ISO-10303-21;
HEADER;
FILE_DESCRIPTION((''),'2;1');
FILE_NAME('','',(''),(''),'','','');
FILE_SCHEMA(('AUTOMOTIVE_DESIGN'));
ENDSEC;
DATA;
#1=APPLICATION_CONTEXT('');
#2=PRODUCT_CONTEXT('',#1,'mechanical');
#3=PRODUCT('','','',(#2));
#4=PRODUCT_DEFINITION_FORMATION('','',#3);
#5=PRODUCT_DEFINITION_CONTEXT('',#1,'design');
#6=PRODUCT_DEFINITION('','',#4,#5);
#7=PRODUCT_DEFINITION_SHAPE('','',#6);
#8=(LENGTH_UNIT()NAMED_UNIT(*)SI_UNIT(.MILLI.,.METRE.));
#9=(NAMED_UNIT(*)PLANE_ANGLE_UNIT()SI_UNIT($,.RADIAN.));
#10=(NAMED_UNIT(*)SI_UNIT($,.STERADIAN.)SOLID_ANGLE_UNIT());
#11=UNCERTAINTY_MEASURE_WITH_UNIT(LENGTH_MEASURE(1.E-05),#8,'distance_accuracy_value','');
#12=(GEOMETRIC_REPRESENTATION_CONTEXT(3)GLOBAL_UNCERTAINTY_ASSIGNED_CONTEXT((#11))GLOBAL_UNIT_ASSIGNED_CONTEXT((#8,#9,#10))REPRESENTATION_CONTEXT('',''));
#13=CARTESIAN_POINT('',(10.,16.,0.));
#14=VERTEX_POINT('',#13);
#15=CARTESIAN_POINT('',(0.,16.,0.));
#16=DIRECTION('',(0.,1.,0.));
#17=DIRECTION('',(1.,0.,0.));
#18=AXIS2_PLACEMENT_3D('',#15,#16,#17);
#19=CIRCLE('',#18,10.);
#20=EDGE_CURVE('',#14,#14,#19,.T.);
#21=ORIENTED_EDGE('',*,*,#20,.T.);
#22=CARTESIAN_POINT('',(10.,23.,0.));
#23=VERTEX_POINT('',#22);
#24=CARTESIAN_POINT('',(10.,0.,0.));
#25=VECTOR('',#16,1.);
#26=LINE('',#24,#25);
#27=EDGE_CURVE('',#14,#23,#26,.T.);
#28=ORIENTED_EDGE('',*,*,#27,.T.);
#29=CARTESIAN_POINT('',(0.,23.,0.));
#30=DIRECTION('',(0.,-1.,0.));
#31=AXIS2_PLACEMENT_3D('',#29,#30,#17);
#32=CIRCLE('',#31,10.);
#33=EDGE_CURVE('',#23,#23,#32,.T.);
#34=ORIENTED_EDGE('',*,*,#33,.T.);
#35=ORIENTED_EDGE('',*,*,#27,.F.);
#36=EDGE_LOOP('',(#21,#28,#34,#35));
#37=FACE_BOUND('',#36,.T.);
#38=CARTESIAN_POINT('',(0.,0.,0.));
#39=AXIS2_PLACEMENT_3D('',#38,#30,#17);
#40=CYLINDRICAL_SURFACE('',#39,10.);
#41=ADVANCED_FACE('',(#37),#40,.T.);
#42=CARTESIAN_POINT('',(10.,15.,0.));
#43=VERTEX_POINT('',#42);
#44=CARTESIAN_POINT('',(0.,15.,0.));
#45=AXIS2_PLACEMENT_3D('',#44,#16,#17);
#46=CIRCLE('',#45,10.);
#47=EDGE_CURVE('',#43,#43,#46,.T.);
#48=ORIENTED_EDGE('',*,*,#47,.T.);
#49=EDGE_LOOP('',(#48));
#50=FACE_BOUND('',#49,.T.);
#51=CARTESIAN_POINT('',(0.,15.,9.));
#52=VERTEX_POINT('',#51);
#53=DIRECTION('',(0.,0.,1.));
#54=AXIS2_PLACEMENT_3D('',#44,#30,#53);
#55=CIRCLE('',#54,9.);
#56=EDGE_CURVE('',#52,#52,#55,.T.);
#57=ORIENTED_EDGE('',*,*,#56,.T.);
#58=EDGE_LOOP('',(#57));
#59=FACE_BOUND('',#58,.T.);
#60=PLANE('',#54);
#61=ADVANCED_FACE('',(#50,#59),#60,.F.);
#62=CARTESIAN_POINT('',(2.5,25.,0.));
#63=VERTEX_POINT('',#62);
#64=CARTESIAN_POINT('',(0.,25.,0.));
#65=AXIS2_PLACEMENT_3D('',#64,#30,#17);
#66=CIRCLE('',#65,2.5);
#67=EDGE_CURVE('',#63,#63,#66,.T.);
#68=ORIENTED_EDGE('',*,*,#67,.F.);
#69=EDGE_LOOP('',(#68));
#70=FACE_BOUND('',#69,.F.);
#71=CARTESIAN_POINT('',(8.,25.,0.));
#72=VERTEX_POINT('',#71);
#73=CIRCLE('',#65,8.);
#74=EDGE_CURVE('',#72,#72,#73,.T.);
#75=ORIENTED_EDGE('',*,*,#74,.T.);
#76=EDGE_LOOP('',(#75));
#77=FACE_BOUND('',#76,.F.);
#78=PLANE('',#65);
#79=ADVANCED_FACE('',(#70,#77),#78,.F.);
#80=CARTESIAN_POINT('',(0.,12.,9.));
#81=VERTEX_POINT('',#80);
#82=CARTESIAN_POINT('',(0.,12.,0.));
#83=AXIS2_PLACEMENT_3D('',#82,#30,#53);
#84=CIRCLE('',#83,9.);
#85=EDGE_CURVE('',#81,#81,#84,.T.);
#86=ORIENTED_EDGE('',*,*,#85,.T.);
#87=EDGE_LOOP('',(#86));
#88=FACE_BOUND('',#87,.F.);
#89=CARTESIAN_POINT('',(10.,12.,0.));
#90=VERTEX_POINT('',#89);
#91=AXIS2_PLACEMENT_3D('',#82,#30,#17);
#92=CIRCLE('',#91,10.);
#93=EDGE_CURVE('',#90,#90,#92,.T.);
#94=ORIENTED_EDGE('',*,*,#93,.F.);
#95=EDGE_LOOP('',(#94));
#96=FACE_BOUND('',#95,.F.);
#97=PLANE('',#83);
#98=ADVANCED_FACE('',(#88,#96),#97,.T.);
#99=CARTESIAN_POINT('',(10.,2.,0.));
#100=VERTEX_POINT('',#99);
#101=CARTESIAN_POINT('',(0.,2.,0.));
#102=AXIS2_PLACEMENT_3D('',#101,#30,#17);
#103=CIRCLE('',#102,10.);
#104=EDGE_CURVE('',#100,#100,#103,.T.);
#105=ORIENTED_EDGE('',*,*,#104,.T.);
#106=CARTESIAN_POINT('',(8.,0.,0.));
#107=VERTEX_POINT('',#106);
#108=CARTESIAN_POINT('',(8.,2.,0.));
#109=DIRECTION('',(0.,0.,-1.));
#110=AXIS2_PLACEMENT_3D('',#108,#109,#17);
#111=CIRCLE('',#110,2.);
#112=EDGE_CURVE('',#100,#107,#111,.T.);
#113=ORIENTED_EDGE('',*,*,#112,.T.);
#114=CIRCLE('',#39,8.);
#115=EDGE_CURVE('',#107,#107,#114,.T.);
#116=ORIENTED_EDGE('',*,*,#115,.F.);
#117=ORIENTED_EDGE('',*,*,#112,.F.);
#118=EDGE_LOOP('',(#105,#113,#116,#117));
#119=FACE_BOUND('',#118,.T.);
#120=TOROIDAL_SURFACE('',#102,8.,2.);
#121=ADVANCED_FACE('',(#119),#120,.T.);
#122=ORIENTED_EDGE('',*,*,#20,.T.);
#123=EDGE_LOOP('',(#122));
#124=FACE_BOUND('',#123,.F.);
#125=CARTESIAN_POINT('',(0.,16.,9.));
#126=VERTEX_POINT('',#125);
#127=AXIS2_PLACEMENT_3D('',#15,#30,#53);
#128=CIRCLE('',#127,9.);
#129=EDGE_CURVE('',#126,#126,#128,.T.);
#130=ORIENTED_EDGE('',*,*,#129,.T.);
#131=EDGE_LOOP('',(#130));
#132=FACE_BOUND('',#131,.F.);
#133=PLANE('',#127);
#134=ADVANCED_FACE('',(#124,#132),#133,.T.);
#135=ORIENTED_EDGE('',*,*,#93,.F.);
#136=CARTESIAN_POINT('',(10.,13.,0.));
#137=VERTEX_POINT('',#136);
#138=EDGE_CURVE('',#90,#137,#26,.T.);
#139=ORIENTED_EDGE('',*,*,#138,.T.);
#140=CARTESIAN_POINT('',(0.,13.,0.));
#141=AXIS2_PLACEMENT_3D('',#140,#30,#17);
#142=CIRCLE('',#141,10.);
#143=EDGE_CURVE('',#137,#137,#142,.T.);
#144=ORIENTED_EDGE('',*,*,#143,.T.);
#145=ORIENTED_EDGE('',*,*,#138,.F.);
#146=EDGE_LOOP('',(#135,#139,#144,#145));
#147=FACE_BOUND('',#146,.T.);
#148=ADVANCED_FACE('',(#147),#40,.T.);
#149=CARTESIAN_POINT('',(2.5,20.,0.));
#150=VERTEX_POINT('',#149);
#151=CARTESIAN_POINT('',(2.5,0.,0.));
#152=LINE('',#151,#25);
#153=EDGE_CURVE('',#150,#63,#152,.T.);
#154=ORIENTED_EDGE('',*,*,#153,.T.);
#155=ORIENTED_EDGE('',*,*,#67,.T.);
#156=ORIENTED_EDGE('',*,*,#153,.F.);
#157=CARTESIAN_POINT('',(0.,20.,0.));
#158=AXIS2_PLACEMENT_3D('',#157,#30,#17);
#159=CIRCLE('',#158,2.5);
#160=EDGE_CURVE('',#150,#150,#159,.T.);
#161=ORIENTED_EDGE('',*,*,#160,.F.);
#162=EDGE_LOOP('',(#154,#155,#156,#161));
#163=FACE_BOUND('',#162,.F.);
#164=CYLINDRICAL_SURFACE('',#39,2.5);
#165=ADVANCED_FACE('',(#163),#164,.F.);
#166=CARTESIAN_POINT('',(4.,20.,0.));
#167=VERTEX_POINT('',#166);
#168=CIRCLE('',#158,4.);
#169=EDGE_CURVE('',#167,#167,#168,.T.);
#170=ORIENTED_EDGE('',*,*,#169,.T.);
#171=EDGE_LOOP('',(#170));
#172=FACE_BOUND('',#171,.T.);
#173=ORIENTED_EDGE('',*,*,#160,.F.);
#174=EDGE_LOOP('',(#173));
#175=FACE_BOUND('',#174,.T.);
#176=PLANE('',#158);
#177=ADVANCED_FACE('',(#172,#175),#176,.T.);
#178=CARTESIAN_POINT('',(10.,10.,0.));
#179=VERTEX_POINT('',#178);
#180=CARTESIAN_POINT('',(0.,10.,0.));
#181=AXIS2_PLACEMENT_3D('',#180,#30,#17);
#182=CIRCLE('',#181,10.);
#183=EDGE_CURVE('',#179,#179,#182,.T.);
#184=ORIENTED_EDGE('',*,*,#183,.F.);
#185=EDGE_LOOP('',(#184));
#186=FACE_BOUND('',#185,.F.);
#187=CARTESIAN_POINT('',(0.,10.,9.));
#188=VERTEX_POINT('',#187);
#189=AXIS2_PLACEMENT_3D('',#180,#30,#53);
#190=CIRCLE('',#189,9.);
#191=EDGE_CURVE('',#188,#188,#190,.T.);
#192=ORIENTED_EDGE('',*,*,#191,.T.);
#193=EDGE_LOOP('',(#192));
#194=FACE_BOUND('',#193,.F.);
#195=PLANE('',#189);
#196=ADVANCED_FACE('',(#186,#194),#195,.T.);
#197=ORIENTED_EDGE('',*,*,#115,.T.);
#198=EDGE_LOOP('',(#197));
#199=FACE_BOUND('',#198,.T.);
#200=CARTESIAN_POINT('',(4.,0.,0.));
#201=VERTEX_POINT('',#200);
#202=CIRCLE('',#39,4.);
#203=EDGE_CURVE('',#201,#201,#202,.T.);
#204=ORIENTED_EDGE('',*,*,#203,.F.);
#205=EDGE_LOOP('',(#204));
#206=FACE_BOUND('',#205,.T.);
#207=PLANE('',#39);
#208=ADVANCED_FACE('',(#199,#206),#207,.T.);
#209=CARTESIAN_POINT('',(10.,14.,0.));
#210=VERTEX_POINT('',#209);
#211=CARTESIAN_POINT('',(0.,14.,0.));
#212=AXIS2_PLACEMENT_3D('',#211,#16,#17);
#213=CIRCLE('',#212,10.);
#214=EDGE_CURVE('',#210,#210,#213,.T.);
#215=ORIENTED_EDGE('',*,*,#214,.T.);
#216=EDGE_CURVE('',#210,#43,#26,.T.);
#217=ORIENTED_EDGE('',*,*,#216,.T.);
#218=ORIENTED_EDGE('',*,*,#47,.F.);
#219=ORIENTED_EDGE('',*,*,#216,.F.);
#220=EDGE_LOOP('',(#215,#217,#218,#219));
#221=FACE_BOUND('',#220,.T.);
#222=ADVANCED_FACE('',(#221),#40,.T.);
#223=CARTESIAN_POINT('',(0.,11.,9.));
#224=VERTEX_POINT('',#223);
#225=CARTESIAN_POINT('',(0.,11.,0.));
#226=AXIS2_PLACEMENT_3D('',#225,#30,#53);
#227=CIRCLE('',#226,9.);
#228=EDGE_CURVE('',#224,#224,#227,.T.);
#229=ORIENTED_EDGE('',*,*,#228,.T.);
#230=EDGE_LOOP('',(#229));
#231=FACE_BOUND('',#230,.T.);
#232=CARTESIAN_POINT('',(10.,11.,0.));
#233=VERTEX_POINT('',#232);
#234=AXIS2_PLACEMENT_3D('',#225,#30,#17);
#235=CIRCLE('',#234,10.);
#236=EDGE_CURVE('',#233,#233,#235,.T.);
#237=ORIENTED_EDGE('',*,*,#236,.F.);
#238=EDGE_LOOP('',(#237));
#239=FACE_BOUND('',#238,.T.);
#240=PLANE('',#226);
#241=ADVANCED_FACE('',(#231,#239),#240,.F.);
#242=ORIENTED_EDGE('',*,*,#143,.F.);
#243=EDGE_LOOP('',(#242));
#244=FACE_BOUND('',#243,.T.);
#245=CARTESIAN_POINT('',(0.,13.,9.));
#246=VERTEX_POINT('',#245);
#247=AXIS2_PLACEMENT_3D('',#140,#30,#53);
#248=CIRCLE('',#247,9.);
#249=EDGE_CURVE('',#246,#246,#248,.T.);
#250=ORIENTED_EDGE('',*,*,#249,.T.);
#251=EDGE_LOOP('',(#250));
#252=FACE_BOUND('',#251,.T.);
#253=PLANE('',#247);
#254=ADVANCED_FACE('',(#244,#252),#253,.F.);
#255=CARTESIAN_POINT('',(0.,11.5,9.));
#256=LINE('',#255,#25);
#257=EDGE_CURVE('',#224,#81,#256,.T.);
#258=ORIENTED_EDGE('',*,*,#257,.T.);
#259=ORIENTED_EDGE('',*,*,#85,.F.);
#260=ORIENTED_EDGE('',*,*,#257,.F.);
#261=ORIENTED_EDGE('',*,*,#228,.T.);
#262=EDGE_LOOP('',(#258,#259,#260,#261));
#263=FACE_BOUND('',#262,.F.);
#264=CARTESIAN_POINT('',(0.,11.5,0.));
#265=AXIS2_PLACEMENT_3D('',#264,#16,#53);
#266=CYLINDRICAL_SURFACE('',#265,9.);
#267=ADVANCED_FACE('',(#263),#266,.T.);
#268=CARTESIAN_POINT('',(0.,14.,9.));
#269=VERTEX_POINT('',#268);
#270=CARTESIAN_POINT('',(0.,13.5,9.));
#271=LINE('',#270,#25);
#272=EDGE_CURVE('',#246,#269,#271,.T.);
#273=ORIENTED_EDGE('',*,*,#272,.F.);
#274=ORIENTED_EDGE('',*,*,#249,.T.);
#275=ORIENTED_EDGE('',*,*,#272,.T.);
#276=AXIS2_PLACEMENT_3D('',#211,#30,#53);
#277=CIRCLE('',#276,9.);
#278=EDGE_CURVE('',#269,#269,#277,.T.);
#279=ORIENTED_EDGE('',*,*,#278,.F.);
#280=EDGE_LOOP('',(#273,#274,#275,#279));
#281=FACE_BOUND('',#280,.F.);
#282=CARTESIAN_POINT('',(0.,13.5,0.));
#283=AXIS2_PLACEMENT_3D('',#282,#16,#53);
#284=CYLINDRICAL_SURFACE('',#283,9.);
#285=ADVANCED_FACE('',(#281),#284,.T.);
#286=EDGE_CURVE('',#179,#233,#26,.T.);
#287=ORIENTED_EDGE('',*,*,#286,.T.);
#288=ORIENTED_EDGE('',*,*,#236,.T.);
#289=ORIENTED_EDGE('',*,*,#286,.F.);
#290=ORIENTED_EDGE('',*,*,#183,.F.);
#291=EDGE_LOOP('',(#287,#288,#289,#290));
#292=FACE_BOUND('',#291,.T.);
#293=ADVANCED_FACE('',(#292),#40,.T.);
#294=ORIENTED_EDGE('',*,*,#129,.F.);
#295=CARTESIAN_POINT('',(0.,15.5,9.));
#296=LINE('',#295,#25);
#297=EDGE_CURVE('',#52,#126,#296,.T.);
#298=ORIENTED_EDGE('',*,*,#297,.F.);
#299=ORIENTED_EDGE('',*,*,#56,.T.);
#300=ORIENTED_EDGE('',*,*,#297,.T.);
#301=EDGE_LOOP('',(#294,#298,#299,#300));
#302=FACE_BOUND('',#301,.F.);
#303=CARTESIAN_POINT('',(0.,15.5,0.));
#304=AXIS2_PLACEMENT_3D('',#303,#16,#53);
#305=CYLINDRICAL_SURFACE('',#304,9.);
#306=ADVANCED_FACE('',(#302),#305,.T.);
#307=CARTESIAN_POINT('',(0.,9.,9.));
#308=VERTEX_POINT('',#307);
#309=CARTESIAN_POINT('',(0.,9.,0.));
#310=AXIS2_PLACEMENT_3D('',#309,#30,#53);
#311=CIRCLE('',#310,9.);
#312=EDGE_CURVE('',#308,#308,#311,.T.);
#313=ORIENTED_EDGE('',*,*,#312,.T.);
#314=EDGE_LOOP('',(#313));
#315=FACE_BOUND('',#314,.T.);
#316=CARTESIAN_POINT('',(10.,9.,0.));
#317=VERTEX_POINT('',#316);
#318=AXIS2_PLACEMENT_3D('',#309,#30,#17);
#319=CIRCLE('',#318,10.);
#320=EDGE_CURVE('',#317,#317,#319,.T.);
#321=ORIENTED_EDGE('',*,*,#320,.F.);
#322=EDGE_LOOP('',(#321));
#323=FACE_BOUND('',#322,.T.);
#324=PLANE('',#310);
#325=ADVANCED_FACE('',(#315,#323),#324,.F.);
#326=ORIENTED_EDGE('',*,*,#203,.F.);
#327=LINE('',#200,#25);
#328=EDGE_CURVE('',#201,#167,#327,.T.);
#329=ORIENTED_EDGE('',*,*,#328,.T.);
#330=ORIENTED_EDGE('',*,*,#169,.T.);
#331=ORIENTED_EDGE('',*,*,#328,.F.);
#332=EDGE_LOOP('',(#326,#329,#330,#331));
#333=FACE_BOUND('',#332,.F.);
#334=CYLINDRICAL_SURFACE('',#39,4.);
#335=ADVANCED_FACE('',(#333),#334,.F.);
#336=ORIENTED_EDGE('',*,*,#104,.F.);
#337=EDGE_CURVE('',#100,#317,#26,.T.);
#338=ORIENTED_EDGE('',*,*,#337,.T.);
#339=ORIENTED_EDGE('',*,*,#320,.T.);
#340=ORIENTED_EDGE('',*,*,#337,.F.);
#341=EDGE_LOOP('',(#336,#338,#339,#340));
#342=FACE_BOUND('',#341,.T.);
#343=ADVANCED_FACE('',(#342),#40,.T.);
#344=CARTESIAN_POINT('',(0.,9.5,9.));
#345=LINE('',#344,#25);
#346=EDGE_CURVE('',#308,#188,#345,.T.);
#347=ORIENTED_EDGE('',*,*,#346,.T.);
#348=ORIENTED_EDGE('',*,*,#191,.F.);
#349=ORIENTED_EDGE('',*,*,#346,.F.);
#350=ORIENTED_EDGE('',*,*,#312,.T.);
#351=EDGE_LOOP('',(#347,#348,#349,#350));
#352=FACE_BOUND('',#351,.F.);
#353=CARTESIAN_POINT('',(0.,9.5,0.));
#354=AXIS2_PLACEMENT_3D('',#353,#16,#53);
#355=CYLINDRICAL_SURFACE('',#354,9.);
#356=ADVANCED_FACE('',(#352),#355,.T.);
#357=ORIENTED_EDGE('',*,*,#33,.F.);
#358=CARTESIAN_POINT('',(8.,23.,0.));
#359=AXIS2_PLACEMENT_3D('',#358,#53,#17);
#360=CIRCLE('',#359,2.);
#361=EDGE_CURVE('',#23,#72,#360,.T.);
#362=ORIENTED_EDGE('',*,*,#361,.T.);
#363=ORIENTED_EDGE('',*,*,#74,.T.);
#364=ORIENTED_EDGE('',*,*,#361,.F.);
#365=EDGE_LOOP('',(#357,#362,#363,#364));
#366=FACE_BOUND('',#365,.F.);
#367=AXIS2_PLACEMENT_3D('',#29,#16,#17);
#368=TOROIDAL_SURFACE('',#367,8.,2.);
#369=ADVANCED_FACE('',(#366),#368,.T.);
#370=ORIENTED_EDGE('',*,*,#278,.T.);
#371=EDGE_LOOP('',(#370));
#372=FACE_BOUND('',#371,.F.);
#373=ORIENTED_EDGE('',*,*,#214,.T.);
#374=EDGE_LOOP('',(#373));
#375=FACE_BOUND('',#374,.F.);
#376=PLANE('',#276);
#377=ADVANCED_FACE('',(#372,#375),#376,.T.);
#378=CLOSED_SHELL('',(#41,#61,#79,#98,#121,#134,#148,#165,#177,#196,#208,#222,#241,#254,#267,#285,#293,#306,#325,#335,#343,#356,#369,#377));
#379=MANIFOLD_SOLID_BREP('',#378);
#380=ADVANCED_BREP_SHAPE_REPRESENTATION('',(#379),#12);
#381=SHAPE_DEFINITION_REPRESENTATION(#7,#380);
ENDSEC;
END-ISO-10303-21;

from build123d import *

# Parameters (mm, degrees)
F0_R     = 10
F0_R_2   = 2.5
F1_DEPTH = 25
F2_W     = 1
F2_H     = 1
F4_R     = 2
F5_R     = 4
F6_DEPTH = 20


with BuildPart() as f1:
    # F0 (on Front) → F1 (new body)
    with BuildSketch(Plane.XZ):
        Circle(F0_R)
        Circle(F0_R_2, mode=Mode.SUBTRACT)
    extrude(amount=-F1_DEPTH)

    # F2 (on Right) → F3 (revolve, cut)
    with BuildSketch(Plane.YZ):
        with Locations((11.5, 9.5)):
            Rectangle(F2_W, F2_H)
        with Locations((9.5, 9.5)):
            Rectangle(F2_W, F2_H)
        with Locations((13.5, 9.5)):
            Rectangle(F2_W, F2_H)
        with Locations((15.5, 9.5)):
            Rectangle(F2_W, F2_H)
    revolve(axis=Axis((0, 25, 0), (0, -1, 0)), mode=Mode.SUBTRACT)

    # F4
    f4_edges = [f1.edges().sort_by_distance(p)[0] for p in [
        (-10, 0, 0),
        (-10, 25, 0),
    ]]
    fillet(f4_edges, radius=F4_R)

    # F5 (on face) → F6 (cut)
    with BuildSketch(Plane.XZ):
        Circle(F5_R)
    extrude(amount=-F6_DEPTH, mode=Mode.SUBTRACT)


solid = f1.part
